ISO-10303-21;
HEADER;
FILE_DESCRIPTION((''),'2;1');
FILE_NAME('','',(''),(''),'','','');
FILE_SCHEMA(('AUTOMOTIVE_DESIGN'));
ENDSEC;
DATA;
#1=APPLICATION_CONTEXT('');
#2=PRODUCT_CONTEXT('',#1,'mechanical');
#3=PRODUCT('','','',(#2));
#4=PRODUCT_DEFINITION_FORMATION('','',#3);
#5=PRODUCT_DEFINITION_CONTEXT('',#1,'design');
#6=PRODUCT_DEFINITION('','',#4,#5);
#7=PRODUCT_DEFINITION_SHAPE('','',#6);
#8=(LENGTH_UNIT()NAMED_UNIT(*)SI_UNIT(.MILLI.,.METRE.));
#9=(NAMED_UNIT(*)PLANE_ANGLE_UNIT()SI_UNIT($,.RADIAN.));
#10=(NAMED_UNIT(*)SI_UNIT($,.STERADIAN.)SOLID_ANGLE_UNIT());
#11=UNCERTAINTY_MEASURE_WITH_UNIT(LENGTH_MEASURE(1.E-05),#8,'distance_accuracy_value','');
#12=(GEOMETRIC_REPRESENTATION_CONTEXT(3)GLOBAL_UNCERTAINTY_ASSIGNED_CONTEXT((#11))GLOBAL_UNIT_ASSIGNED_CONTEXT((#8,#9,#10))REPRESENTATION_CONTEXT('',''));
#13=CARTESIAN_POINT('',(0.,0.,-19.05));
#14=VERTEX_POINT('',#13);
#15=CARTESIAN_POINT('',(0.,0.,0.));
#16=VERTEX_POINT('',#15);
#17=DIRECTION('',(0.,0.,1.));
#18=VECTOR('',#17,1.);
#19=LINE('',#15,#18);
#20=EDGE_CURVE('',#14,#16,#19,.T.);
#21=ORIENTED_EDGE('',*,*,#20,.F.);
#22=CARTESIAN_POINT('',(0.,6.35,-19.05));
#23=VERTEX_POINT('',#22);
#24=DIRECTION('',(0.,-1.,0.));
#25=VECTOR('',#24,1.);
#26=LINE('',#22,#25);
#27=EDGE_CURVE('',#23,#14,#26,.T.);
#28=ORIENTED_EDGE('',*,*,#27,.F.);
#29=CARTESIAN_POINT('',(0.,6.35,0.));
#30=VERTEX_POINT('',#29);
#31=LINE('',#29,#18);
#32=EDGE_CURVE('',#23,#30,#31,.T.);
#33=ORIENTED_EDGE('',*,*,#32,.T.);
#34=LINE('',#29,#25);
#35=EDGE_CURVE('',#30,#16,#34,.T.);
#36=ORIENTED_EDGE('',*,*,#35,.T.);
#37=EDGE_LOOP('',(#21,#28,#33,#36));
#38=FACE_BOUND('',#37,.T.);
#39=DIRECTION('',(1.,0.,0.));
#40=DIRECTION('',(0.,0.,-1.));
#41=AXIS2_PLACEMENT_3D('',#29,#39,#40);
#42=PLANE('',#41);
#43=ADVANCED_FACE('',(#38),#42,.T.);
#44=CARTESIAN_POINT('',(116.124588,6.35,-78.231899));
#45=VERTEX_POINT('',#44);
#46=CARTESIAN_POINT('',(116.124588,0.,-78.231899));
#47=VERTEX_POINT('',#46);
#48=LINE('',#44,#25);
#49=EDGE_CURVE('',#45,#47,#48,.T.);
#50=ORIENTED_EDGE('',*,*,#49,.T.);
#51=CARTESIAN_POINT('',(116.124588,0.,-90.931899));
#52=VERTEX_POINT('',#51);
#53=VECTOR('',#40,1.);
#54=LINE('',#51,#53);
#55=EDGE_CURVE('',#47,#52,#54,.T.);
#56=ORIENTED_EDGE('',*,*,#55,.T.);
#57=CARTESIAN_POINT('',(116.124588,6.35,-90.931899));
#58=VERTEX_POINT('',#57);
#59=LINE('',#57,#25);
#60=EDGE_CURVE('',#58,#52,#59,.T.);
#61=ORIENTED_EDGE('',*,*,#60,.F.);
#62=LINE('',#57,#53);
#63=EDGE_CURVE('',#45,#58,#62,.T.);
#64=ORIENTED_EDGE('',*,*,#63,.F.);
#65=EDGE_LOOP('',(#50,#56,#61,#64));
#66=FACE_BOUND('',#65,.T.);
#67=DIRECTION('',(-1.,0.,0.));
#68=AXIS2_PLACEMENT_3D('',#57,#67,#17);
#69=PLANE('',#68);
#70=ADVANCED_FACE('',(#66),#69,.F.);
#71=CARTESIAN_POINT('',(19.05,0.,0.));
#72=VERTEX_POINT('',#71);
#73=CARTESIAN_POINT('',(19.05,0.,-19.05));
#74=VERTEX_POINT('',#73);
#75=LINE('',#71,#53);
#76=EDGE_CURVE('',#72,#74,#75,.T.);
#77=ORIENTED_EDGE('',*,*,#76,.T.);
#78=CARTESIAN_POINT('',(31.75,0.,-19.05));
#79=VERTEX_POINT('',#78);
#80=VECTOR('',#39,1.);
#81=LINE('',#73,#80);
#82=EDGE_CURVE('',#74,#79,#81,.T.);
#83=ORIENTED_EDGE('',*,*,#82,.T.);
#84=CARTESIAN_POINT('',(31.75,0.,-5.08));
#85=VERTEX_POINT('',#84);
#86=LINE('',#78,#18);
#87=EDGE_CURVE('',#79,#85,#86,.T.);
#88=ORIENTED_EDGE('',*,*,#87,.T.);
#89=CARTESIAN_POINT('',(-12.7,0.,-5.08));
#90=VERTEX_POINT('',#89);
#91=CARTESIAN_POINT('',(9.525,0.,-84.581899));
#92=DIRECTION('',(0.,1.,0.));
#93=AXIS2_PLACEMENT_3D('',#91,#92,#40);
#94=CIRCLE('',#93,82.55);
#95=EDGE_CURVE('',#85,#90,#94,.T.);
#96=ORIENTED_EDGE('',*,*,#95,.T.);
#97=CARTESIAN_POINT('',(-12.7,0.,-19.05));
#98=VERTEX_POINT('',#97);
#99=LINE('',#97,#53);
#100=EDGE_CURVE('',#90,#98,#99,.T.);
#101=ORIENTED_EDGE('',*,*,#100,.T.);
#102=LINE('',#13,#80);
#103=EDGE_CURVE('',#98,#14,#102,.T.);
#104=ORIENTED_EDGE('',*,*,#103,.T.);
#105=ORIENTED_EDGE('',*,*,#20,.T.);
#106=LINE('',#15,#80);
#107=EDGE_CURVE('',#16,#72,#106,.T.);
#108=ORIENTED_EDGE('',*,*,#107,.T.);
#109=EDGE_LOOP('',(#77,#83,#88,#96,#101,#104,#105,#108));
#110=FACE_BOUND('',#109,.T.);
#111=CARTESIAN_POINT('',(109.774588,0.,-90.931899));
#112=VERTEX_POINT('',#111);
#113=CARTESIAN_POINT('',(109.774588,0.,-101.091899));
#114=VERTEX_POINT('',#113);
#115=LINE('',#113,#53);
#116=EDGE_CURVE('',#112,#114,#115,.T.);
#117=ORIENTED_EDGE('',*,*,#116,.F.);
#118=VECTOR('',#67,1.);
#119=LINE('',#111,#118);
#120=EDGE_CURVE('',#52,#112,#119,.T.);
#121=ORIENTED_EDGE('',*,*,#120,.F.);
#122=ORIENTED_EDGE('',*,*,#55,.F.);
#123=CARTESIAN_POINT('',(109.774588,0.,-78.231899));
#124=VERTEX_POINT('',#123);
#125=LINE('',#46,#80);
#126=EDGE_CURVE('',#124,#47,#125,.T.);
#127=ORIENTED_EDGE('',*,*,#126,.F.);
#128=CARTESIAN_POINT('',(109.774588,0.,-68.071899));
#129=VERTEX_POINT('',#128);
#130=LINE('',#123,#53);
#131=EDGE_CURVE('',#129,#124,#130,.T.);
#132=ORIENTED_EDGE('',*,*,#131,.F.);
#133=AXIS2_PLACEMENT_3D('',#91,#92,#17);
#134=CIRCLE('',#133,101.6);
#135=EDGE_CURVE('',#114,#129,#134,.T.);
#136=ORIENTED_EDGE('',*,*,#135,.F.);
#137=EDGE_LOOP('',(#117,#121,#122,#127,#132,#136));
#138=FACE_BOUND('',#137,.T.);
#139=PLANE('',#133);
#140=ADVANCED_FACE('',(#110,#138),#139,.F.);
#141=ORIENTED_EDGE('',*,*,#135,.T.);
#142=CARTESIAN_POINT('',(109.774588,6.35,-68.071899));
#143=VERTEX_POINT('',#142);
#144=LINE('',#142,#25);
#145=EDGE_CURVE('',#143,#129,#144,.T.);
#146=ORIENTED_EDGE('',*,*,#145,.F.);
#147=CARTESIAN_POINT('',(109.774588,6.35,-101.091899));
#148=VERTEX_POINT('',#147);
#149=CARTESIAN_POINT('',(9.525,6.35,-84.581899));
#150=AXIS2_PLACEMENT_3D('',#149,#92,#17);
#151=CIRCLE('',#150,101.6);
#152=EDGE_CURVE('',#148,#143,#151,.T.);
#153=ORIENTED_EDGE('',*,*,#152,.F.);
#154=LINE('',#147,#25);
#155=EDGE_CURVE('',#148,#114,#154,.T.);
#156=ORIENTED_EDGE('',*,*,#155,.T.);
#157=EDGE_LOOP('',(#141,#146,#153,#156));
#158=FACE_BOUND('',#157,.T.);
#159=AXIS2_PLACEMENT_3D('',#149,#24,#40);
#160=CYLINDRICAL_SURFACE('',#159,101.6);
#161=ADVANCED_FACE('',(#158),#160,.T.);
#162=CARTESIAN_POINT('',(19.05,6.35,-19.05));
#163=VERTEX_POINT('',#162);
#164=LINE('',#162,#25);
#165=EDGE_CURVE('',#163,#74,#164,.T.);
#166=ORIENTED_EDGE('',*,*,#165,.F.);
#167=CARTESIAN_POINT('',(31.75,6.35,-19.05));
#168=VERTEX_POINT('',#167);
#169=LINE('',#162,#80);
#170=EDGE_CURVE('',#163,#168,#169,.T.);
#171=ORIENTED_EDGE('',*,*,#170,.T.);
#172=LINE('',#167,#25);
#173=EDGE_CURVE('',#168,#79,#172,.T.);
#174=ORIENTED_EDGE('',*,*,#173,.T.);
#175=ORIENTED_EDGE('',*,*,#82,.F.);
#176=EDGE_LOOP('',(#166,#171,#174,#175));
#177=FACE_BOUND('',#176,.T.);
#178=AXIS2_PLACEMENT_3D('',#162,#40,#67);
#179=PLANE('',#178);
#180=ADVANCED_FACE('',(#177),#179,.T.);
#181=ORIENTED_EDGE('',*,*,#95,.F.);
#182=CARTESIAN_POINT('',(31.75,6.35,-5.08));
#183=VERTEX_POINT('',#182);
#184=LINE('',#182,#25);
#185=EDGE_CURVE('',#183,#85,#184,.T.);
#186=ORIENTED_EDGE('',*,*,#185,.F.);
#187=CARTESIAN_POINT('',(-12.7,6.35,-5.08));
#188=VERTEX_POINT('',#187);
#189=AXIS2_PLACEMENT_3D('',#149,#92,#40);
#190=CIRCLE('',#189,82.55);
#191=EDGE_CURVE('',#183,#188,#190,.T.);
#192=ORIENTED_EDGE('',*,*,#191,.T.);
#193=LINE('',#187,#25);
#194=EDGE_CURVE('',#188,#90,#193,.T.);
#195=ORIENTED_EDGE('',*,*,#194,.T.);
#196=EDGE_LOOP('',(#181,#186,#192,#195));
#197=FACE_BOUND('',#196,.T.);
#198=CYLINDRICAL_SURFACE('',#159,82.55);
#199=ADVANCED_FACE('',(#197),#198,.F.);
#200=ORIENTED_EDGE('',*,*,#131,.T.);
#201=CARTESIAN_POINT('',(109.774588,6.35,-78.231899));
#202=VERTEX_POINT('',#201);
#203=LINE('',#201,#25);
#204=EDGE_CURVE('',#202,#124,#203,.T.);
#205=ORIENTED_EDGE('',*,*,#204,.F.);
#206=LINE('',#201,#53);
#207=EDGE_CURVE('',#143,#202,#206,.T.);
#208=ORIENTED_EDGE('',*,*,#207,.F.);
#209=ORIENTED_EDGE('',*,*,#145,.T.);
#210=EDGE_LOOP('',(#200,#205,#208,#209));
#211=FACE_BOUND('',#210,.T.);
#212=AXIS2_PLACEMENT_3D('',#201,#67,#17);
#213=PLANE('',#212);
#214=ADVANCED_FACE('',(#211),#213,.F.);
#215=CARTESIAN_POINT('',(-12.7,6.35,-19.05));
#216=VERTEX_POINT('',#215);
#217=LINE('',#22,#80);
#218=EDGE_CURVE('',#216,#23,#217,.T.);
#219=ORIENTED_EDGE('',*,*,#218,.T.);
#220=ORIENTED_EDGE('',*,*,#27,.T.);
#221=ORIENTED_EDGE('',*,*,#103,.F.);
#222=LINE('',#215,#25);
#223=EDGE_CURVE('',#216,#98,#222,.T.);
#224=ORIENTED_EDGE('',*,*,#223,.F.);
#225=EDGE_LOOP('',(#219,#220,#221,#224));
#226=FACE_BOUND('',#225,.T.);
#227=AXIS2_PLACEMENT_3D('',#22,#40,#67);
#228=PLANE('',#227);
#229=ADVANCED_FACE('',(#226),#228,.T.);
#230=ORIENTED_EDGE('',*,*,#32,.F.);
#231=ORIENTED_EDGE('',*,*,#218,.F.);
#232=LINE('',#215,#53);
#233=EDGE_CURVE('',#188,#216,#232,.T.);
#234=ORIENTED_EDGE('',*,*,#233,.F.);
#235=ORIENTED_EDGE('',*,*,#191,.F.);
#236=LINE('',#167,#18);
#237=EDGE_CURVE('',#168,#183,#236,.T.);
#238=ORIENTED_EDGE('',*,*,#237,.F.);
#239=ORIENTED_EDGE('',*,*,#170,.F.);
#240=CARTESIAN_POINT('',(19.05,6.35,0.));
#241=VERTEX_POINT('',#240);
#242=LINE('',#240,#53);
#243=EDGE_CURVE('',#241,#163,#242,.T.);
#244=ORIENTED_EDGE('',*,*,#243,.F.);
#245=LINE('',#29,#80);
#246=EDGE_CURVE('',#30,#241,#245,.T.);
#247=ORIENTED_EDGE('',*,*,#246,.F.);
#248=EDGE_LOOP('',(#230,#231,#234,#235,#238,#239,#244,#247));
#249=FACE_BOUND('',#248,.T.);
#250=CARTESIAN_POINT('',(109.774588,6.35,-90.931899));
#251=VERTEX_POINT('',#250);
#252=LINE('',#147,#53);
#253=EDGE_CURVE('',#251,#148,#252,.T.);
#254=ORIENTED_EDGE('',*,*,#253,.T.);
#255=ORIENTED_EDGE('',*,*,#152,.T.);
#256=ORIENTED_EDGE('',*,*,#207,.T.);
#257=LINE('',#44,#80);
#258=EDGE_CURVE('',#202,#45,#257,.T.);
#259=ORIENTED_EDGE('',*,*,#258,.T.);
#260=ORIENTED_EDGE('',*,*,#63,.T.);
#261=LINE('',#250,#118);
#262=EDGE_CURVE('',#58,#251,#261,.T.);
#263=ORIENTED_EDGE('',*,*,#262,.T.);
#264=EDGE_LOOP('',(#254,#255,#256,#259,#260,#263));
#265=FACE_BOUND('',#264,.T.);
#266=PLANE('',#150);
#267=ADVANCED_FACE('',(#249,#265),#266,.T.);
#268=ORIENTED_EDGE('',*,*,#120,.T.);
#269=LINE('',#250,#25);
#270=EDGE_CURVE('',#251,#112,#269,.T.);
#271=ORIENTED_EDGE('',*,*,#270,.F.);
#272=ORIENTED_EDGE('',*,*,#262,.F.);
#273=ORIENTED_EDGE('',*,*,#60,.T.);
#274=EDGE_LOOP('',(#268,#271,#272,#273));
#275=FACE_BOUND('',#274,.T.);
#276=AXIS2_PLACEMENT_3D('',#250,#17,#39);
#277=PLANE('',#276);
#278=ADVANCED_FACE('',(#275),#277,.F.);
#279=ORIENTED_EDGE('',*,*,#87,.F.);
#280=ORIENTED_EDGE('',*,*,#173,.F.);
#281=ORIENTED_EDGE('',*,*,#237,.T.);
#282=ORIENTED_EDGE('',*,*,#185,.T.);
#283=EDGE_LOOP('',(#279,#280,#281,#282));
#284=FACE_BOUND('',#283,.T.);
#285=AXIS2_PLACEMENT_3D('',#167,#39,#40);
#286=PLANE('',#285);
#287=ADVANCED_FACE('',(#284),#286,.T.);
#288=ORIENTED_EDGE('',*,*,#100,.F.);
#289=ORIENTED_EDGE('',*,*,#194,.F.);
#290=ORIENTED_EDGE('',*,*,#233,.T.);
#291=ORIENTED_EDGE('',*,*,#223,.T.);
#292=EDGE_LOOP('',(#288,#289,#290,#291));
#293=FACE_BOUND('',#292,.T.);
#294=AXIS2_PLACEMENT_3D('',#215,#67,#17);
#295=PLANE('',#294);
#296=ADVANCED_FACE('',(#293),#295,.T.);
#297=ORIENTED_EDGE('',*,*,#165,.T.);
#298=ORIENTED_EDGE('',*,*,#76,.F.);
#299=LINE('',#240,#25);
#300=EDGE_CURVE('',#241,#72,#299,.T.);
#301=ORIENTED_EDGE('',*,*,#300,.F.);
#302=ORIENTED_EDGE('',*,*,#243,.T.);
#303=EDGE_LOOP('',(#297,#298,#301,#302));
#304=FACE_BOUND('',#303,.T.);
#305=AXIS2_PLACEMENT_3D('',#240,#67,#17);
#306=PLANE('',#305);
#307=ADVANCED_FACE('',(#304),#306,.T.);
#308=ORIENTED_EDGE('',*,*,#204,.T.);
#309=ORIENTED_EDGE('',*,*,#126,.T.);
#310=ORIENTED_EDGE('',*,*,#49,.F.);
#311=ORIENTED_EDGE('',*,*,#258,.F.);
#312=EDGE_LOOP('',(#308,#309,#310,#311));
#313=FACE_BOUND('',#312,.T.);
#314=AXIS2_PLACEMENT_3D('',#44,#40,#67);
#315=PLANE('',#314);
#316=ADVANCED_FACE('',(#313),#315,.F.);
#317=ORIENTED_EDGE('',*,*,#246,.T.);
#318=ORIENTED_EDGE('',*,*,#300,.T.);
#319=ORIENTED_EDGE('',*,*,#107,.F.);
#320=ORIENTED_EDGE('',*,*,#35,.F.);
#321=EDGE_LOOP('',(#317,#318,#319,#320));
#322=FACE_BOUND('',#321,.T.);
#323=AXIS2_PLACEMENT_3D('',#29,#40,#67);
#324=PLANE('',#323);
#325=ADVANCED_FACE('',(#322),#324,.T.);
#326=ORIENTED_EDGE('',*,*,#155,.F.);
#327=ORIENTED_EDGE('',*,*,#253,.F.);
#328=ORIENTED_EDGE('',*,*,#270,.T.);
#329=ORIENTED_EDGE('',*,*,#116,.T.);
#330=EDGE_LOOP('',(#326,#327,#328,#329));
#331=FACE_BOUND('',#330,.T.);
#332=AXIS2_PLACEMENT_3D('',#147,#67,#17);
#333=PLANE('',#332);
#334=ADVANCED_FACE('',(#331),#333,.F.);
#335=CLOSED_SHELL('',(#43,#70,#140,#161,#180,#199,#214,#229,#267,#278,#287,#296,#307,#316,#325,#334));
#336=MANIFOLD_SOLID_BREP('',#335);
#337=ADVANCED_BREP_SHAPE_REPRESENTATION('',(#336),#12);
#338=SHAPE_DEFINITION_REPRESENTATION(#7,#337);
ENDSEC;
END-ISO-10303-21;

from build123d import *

# Parameters (mm, degrees)
BOSS_EXTRUDE1_DEPTH = 6.35


with BuildPart() as part:
    # Sketch1 → Boss-Extrude1 (new body)
    with BuildSketch(Plane(origin=(0, 0, 0), x_dir=(1, 0, 0), z_dir=(0, 1, 0))):
        with BuildLine():
            Line((109.774588029, 101.091898562), (109.774588029, 90.931898562))
            Line((109.774588029, 90.931898562), (116.124588029, 90.931898562))
            Line((116.124588029, 90.931898562), (116.124588029, 78.231898562))
            Line((116.124588029, 78.231898562), (109.774588029, 78.231898562))
            Line((109.774588029, 78.231898562), (109.774588029, 68.071898562))
            ThreePointArc((109.774588029, 68.071898562), (-92.075, 84.581898562), (109.774588029, 101.091898562))
        make_face()
        with BuildLine():
            Line((0, 0), (19.05, 0))
            Line((19.05, 0), (19.05, 19.05))
            Line((19.05, 19.05), (31.75, 19.05))
            Line((31.75, 19.05), (31.75, 5.08))
            ThreePointArc((31.75, 5.08), (9.525, 167.131898562), (-12.7, 5.08))
            Line((-12.7, 5.08), (-12.7, 19.05))
            Line((-12.7, 19.05), (0, 19.05))
            Line((0, 19.05), (0, 0))
        make_face(mode=Mode.SUBTRACT)
    extrude(amount=BOSS_EXTRUDE1_DEPTH)


solid = part.part
